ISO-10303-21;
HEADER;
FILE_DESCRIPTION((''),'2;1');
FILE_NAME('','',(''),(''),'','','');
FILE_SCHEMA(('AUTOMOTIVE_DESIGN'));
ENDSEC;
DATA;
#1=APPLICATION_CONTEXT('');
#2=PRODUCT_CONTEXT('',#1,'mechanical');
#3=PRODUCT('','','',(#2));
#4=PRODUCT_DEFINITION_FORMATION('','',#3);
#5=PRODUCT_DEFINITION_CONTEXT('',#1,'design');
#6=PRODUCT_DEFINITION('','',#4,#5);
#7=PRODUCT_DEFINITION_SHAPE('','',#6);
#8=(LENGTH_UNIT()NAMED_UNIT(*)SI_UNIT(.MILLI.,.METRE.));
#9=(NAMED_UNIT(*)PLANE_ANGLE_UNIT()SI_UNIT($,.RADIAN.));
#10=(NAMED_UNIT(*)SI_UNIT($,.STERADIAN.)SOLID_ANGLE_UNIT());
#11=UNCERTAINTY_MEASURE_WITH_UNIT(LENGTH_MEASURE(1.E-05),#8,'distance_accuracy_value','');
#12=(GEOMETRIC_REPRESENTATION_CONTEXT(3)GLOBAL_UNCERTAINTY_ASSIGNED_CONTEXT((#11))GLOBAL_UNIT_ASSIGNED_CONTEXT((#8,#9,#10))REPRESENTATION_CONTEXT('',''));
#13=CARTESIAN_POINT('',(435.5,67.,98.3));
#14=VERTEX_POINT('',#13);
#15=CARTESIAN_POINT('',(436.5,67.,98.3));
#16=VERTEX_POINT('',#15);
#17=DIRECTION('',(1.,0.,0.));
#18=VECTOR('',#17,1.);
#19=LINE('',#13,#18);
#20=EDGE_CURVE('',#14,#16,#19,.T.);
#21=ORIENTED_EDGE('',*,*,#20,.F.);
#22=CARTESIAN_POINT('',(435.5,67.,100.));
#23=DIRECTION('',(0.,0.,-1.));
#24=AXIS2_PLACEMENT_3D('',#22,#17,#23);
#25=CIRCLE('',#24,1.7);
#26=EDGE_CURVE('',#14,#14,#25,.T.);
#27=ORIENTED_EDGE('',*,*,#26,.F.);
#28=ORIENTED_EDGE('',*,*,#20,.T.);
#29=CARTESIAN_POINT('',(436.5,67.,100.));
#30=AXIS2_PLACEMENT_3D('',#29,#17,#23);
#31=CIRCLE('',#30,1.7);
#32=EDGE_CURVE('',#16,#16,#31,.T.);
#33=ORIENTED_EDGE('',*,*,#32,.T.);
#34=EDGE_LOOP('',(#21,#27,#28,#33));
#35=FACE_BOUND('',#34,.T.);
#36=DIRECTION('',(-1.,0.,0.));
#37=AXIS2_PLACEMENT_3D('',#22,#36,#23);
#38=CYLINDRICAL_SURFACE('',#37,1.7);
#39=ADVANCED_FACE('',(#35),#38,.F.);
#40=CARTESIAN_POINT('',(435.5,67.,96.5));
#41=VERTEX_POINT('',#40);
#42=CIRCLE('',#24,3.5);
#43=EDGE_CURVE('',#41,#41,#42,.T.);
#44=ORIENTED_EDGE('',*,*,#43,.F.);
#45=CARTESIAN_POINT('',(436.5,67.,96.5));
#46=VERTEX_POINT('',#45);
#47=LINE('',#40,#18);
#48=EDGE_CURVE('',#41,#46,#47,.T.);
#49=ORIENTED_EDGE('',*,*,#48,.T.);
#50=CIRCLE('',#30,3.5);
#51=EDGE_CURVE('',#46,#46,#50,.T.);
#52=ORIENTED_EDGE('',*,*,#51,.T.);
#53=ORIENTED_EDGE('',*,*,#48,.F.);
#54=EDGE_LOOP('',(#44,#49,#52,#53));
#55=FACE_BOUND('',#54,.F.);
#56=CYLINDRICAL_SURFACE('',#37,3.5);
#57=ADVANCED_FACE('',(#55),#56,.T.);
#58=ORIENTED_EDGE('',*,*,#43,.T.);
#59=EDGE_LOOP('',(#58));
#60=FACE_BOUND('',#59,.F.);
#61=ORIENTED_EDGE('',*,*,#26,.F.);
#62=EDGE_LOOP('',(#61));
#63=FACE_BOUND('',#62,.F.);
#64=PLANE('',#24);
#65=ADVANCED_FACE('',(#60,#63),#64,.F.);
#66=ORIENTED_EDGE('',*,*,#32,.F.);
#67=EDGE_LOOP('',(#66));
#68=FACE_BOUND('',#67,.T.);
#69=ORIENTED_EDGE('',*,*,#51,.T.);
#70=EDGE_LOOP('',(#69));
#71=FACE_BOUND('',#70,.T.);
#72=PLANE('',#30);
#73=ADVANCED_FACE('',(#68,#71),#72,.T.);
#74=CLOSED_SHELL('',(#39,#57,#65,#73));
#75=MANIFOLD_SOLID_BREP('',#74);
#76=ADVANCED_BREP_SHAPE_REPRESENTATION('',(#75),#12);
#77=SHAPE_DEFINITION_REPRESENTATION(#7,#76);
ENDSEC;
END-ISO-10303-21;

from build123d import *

# Parameters (mm, degrees)
CYLINDER1389_R     = 1.7
CYLINDER1389_DEPTH = 1
CYLINDER1387_R     = 3.5
CYLINDER1387_DEPTH = 1


with BuildPart() as cylinder1389:
    # Cylinder1389 → Cylinder1389 (new body)
    with BuildSketch(Plane(origin=(436, 67, 100), x_dir=(0, 0, -1), z_dir=(1, 0, 0))):
        Circle(CYLINDER1389_R)
    extrude(amount=CYLINDER1389_DEPTH)


with BuildPart() as bucket_right_half_short_spacer:
    # Cylinder1387 → Cylinder1387 (new body)
    with BuildSketch(Plane(origin=(436, 67, 100), x_dir=(0, 0, -1), z_dir=(1, 0, 0))):
        Circle(CYLINDER1387_R)
    extrude(amount=CYLINDER1387_DEPTH)

    # Cut014356: cut Cylinder1389
    add(cylinder1389.part, mode=Mode.SUBTRACT)


with BuildPart() as bucket_right_half_short_spacer_1:
    # Cut014356 placement: moved
    add(bucket_right_half_short_spacer.part.moved(Location((-0.5, 0, 0))))


solid = bucket_right_half_short_spacer_1.part
